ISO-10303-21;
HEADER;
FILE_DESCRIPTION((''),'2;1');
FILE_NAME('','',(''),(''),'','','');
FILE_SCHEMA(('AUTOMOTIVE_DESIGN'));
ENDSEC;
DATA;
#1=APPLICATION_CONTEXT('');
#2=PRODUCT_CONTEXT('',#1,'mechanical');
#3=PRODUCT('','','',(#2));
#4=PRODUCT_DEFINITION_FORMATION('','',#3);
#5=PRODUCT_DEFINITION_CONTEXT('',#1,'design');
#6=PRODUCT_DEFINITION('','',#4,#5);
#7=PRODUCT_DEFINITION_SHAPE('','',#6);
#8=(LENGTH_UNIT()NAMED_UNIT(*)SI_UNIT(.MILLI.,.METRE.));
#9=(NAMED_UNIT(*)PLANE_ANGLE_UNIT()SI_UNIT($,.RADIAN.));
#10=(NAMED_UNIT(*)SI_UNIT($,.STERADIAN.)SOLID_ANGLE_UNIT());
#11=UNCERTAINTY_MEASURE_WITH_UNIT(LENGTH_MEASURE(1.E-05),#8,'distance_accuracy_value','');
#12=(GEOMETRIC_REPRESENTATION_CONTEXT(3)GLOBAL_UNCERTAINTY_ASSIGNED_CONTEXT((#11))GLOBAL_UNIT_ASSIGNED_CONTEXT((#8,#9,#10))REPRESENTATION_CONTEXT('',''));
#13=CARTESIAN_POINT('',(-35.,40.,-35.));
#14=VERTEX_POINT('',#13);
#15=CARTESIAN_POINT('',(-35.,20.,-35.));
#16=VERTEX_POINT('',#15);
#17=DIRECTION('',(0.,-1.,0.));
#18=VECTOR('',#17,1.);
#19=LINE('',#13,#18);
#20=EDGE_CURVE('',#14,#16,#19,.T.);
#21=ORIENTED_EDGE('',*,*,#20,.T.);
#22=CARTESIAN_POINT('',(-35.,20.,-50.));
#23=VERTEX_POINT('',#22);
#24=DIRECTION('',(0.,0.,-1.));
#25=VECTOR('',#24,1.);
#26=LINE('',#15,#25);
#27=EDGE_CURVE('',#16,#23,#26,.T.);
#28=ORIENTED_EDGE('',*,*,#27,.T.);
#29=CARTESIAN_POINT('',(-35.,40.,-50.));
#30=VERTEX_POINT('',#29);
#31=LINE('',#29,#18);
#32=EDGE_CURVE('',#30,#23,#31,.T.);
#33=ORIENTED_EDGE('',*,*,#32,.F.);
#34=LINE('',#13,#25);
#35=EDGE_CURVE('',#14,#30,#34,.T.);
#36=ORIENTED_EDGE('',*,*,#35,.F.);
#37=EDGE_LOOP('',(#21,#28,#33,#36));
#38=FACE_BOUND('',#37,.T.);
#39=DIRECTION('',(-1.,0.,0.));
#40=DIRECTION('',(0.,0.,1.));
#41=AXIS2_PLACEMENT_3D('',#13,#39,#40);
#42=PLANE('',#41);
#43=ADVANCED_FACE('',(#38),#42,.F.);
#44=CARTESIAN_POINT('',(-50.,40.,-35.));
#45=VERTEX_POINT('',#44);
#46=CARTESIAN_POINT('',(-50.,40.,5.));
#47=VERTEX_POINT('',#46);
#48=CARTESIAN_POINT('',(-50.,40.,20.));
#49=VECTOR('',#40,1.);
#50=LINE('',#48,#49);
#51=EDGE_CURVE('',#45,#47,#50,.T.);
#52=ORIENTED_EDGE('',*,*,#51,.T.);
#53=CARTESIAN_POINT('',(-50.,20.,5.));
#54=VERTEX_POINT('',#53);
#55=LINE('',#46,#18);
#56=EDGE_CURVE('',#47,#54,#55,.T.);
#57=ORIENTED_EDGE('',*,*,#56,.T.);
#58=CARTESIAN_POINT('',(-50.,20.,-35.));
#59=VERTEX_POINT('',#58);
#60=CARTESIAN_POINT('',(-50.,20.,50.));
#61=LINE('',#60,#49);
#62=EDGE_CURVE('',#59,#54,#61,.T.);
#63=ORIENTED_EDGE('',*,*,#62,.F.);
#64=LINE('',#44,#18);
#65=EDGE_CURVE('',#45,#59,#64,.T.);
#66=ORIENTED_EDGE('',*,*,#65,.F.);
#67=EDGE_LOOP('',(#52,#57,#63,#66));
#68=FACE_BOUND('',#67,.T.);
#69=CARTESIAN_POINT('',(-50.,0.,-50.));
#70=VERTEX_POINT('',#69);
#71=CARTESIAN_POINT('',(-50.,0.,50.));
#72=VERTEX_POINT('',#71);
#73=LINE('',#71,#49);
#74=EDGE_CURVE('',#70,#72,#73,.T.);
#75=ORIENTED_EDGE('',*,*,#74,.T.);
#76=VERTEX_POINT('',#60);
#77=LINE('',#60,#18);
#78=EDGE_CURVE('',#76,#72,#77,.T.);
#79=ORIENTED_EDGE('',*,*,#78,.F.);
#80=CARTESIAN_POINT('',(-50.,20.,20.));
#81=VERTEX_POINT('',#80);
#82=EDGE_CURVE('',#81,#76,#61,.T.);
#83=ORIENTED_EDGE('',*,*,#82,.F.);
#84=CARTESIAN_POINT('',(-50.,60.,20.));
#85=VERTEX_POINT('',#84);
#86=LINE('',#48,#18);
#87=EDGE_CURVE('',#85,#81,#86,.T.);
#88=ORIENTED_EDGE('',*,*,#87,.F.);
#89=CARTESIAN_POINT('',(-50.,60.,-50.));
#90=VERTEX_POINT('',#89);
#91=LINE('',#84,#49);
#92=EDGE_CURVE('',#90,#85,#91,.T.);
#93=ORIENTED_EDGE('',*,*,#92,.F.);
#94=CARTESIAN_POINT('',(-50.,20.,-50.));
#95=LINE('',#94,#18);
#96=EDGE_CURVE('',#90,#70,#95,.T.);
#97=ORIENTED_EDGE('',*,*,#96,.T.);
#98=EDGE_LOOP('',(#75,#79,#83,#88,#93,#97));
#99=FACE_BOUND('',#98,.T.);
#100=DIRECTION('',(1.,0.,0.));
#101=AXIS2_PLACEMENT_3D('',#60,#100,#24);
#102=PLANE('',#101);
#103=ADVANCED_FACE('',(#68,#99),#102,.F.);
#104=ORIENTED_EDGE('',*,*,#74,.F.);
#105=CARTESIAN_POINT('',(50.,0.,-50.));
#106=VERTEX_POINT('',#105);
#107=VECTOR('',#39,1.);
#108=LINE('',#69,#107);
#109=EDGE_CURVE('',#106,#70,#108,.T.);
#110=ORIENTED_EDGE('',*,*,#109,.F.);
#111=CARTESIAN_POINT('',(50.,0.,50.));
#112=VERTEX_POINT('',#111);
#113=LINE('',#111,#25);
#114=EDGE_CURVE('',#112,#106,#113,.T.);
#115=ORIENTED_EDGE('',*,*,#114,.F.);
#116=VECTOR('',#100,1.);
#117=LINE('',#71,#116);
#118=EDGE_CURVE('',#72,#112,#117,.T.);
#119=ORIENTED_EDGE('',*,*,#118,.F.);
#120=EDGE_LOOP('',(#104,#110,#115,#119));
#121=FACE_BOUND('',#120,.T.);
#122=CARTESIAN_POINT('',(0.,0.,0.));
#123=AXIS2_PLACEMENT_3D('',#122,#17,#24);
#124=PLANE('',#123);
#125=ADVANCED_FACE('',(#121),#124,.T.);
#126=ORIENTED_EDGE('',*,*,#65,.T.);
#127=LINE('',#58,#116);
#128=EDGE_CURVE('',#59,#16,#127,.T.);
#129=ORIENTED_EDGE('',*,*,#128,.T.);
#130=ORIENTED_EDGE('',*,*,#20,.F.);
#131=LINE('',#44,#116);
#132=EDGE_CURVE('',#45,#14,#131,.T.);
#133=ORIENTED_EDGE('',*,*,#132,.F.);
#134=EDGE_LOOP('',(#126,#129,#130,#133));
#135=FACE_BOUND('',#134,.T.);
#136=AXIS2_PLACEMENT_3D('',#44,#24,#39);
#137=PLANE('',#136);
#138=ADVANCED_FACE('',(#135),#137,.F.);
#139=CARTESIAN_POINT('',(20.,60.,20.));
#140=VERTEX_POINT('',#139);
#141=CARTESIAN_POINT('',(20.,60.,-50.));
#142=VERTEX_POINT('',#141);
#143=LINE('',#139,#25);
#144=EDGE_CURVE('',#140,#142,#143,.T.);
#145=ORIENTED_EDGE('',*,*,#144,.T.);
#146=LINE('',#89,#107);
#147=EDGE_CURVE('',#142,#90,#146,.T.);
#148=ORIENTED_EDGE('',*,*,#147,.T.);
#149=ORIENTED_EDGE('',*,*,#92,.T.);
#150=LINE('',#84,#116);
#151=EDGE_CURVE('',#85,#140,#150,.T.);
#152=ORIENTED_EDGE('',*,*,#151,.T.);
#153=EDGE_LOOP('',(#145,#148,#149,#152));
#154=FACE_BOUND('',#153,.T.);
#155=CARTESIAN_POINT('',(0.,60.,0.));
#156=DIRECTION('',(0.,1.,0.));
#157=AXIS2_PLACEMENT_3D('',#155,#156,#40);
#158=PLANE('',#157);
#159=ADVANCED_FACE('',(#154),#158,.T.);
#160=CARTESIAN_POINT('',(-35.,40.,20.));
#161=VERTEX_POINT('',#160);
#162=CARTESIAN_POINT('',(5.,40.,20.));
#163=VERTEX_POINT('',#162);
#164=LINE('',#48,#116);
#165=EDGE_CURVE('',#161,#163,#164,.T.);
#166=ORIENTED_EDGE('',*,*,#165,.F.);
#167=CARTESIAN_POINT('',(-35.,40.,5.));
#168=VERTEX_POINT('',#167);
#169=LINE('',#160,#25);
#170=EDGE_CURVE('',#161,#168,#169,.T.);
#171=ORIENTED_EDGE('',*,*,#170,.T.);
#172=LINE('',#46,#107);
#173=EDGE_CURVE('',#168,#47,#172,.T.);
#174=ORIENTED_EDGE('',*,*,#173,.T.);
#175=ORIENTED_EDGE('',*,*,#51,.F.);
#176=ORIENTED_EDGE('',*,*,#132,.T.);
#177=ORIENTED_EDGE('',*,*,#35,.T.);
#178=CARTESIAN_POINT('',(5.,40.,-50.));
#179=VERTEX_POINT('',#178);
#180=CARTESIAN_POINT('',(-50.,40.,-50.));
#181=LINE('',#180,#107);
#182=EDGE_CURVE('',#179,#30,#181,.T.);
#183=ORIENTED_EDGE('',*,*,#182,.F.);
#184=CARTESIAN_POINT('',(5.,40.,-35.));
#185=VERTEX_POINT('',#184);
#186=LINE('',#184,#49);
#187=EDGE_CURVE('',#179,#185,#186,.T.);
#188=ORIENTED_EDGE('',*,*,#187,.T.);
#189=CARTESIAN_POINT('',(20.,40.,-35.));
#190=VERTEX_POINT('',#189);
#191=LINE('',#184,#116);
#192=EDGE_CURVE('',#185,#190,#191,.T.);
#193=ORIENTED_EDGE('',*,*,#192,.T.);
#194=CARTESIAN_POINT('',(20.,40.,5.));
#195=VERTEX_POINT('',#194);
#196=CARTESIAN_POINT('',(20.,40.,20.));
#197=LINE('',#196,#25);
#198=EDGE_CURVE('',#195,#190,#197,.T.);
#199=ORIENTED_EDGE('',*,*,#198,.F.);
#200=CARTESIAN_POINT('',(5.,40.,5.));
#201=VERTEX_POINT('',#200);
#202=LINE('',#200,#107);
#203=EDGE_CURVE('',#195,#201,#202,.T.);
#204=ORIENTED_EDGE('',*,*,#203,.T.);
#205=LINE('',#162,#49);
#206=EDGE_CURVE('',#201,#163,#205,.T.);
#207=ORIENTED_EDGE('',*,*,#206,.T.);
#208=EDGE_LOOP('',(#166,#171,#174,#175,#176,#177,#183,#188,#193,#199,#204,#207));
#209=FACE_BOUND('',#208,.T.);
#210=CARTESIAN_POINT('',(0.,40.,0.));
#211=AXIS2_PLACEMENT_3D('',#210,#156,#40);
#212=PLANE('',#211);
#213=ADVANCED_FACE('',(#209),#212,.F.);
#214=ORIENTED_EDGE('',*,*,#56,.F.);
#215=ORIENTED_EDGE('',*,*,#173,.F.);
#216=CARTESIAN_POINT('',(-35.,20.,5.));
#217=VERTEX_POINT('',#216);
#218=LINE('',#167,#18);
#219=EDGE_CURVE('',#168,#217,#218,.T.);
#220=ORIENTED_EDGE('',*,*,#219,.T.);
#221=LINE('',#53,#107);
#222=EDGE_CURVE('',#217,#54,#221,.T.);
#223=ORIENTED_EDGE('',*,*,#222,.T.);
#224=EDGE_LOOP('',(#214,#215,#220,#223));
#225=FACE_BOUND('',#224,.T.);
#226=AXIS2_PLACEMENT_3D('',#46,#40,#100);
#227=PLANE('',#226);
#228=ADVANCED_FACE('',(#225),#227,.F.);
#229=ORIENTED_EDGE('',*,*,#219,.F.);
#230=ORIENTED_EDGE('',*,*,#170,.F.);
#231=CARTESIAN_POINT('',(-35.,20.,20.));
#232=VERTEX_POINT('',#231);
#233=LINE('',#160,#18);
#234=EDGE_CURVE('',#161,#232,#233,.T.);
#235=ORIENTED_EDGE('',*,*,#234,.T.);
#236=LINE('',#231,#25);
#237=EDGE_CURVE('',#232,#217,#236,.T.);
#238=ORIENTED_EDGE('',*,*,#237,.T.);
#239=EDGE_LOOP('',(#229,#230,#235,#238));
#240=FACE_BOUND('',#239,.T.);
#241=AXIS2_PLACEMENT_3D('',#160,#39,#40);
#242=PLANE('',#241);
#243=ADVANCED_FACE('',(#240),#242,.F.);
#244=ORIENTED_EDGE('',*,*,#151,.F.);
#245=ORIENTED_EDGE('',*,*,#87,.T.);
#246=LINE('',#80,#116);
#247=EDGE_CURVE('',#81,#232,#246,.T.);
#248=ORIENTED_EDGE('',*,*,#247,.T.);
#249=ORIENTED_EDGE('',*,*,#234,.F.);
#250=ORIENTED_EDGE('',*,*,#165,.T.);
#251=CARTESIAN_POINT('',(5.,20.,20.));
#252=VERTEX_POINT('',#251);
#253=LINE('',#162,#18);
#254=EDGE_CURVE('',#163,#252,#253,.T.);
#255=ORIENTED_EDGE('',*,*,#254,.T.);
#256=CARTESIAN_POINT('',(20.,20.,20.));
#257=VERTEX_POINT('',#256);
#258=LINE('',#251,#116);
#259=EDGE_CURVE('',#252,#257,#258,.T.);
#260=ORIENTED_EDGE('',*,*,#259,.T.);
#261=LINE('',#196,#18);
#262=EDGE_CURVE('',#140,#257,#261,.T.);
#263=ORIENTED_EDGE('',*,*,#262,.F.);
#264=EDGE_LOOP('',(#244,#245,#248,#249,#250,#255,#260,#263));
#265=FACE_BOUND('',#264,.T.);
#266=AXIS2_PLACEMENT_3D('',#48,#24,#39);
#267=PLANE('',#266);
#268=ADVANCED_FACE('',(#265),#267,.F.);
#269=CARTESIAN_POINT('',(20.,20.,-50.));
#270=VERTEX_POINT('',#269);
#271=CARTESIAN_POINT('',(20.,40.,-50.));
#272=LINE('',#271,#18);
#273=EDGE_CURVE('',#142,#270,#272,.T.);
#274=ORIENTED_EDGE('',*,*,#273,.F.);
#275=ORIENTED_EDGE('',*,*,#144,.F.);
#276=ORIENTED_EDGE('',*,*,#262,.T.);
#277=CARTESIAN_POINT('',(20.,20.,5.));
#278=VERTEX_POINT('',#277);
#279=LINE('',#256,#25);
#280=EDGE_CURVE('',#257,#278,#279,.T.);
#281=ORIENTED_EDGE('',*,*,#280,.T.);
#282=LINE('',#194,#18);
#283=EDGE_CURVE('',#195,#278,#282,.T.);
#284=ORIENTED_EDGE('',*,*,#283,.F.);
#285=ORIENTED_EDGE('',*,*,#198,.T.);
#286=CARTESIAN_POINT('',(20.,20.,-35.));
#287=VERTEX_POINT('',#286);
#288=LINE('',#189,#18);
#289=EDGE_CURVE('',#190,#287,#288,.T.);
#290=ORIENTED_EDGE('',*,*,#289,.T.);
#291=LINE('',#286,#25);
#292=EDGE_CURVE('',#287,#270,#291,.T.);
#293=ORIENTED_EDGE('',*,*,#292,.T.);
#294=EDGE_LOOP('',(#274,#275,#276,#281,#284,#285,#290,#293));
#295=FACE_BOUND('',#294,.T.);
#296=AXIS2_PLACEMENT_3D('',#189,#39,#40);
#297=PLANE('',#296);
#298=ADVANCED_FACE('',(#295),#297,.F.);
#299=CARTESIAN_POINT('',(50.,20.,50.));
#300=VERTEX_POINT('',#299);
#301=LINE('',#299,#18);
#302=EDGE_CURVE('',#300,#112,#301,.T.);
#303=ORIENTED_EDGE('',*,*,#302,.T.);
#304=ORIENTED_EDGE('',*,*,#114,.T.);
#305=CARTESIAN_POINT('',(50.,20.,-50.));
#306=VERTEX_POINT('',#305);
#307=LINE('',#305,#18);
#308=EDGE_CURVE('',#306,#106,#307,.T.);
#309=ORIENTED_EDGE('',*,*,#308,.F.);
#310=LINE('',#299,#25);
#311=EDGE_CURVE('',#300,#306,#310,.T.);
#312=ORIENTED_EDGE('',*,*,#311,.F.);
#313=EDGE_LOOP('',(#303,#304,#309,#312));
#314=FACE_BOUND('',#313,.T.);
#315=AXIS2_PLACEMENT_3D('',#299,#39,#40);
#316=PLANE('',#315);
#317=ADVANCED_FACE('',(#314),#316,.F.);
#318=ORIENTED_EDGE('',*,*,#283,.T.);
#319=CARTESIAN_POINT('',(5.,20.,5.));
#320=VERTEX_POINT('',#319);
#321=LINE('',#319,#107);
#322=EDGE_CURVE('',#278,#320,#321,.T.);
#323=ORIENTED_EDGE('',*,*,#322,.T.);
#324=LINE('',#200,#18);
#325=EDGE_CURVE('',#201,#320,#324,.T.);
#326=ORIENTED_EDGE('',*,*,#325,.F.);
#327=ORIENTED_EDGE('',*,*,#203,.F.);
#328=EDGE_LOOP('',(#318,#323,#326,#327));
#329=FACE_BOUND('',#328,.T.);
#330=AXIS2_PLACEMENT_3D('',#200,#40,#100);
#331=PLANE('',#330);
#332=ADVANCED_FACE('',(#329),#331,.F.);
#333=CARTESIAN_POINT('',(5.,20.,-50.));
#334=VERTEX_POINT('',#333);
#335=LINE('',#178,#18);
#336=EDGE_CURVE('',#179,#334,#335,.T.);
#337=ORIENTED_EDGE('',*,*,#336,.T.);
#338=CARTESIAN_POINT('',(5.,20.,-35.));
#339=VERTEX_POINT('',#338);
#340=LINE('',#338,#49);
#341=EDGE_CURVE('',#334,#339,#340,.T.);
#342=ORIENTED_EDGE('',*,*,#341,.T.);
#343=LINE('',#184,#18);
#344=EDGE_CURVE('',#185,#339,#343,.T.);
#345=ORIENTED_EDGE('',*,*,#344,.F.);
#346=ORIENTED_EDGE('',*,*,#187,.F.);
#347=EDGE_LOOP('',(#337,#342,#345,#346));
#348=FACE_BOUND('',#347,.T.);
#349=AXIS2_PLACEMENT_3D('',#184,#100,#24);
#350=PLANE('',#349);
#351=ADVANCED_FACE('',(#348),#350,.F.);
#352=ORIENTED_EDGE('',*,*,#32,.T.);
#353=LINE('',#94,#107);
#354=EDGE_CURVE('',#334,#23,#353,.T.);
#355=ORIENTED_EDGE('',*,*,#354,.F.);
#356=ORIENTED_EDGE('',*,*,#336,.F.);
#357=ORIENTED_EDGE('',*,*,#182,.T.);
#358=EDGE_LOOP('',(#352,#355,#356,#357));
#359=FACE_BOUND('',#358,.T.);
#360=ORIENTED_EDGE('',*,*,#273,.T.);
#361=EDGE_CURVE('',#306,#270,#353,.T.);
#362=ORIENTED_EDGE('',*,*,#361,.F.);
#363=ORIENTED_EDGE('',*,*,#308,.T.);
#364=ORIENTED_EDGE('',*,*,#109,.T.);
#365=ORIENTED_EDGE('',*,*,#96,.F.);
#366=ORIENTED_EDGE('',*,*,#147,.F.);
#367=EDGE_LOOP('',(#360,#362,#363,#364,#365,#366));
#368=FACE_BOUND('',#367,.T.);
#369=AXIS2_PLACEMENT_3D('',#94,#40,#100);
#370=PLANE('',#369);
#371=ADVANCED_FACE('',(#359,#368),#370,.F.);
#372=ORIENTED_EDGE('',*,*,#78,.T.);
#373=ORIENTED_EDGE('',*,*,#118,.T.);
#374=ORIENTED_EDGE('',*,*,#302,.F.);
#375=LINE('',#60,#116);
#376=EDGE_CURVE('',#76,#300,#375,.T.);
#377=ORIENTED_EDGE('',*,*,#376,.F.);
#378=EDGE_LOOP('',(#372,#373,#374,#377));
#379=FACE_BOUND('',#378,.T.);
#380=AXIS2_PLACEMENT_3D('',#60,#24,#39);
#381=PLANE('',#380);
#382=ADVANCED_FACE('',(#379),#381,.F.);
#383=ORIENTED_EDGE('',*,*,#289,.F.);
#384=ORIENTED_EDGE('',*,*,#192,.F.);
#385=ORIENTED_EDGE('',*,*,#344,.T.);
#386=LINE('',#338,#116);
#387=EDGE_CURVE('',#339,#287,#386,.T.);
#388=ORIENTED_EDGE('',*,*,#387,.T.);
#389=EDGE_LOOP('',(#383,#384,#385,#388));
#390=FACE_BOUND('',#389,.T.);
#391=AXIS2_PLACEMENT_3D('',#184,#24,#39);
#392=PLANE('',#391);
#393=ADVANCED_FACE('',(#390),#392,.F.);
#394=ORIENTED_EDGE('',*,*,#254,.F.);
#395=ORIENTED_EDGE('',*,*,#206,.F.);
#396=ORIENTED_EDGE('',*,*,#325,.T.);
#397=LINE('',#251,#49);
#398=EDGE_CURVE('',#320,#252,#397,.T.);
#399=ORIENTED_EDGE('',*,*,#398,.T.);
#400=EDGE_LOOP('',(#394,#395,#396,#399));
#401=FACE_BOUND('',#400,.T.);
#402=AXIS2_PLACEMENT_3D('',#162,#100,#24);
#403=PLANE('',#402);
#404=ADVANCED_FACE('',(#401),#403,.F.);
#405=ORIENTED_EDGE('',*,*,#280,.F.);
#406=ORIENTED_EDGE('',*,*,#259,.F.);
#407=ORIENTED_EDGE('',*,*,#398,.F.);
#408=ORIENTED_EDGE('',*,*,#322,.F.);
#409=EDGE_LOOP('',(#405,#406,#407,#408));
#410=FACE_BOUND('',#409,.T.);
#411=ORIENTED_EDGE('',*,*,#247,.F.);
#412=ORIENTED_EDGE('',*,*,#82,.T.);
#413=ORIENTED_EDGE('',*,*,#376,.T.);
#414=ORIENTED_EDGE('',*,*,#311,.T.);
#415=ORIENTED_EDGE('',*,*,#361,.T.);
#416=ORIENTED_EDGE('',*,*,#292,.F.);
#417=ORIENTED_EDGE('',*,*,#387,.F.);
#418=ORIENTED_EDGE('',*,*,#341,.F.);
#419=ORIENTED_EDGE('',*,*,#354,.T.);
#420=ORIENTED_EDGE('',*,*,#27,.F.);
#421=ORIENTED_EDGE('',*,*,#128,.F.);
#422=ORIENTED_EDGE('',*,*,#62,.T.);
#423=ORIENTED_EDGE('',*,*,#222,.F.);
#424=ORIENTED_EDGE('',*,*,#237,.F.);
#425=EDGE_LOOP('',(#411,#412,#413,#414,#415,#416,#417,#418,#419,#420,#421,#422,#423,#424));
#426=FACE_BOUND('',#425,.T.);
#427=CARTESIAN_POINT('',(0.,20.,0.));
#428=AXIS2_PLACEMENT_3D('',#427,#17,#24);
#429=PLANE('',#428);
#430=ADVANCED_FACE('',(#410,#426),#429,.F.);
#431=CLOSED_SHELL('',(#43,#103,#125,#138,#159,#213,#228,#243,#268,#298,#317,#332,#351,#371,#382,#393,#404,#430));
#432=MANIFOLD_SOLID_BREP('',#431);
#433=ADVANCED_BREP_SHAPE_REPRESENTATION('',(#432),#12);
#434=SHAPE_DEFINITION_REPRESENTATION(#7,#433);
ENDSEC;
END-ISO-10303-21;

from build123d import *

# Parameters (mm, degrees)
CROQUIS1_W              = 100
CROQUIS1_H              = 100
SALIENTE_EXTRUIR1_DEPTH = 20
CROQUIS2_W              = 15
CROQUIS2_H              = 15
SALIENTE_EXTRUIR2_DEPTH = 20
CROQUIS3_W              = 70
CROQUIS3_H              = 70
SALIENTE_EXTRUIR3_DEPTH = 20


with BuildPart() as part:
    # Croquis1 → Saliente-Extruir1 (new body)
    with BuildSketch(Plane(origin=(0, 0, 0), x_dir=(1, 0, 0), z_dir=(0, 1, 0))):
        Rectangle(CROQUIS1_W, CROQUIS1_H)
    extrude(amount=SALIENTE_EXTRUIR1_DEPTH)

    # Croquis2 → Saliente-Extruir2 (add)
    with BuildSketch(Plane(origin=(0, 20, 0), x_dir=(1, 0, 0), z_dir=(0, 1, 0))):
        with Locations((-42.5, -12.5)):
            Rectangle(CROQUIS2_W, CROQUIS2_H)
        with Locations((-42.5, 42.5)):
            Rectangle(CROQUIS2_W, CROQUIS2_H)
        with Locations((12.5, 42.5)):
            Rectangle(CROQUIS2_W, CROQUIS2_H)
        with Locations((12.5, -12.5)):
            Rectangle(CROQUIS2_W, CROQUIS2_H)
    extrude(amount=SALIENTE_EXTRUIR2_DEPTH)

    # Croquis3 → Saliente-Extruir3 (add)
    with BuildSketch(Plane(origin=(0, 40, 0), x_dir=(1, 0, 0), z_dir=(0, 1, 0))):
        with Locations((-15, 15)):
            Rectangle(CROQUIS3_W, CROQUIS3_H)
    extrude(amount=SALIENTE_EXTRUIR3_DEPTH)


solid = part.part
